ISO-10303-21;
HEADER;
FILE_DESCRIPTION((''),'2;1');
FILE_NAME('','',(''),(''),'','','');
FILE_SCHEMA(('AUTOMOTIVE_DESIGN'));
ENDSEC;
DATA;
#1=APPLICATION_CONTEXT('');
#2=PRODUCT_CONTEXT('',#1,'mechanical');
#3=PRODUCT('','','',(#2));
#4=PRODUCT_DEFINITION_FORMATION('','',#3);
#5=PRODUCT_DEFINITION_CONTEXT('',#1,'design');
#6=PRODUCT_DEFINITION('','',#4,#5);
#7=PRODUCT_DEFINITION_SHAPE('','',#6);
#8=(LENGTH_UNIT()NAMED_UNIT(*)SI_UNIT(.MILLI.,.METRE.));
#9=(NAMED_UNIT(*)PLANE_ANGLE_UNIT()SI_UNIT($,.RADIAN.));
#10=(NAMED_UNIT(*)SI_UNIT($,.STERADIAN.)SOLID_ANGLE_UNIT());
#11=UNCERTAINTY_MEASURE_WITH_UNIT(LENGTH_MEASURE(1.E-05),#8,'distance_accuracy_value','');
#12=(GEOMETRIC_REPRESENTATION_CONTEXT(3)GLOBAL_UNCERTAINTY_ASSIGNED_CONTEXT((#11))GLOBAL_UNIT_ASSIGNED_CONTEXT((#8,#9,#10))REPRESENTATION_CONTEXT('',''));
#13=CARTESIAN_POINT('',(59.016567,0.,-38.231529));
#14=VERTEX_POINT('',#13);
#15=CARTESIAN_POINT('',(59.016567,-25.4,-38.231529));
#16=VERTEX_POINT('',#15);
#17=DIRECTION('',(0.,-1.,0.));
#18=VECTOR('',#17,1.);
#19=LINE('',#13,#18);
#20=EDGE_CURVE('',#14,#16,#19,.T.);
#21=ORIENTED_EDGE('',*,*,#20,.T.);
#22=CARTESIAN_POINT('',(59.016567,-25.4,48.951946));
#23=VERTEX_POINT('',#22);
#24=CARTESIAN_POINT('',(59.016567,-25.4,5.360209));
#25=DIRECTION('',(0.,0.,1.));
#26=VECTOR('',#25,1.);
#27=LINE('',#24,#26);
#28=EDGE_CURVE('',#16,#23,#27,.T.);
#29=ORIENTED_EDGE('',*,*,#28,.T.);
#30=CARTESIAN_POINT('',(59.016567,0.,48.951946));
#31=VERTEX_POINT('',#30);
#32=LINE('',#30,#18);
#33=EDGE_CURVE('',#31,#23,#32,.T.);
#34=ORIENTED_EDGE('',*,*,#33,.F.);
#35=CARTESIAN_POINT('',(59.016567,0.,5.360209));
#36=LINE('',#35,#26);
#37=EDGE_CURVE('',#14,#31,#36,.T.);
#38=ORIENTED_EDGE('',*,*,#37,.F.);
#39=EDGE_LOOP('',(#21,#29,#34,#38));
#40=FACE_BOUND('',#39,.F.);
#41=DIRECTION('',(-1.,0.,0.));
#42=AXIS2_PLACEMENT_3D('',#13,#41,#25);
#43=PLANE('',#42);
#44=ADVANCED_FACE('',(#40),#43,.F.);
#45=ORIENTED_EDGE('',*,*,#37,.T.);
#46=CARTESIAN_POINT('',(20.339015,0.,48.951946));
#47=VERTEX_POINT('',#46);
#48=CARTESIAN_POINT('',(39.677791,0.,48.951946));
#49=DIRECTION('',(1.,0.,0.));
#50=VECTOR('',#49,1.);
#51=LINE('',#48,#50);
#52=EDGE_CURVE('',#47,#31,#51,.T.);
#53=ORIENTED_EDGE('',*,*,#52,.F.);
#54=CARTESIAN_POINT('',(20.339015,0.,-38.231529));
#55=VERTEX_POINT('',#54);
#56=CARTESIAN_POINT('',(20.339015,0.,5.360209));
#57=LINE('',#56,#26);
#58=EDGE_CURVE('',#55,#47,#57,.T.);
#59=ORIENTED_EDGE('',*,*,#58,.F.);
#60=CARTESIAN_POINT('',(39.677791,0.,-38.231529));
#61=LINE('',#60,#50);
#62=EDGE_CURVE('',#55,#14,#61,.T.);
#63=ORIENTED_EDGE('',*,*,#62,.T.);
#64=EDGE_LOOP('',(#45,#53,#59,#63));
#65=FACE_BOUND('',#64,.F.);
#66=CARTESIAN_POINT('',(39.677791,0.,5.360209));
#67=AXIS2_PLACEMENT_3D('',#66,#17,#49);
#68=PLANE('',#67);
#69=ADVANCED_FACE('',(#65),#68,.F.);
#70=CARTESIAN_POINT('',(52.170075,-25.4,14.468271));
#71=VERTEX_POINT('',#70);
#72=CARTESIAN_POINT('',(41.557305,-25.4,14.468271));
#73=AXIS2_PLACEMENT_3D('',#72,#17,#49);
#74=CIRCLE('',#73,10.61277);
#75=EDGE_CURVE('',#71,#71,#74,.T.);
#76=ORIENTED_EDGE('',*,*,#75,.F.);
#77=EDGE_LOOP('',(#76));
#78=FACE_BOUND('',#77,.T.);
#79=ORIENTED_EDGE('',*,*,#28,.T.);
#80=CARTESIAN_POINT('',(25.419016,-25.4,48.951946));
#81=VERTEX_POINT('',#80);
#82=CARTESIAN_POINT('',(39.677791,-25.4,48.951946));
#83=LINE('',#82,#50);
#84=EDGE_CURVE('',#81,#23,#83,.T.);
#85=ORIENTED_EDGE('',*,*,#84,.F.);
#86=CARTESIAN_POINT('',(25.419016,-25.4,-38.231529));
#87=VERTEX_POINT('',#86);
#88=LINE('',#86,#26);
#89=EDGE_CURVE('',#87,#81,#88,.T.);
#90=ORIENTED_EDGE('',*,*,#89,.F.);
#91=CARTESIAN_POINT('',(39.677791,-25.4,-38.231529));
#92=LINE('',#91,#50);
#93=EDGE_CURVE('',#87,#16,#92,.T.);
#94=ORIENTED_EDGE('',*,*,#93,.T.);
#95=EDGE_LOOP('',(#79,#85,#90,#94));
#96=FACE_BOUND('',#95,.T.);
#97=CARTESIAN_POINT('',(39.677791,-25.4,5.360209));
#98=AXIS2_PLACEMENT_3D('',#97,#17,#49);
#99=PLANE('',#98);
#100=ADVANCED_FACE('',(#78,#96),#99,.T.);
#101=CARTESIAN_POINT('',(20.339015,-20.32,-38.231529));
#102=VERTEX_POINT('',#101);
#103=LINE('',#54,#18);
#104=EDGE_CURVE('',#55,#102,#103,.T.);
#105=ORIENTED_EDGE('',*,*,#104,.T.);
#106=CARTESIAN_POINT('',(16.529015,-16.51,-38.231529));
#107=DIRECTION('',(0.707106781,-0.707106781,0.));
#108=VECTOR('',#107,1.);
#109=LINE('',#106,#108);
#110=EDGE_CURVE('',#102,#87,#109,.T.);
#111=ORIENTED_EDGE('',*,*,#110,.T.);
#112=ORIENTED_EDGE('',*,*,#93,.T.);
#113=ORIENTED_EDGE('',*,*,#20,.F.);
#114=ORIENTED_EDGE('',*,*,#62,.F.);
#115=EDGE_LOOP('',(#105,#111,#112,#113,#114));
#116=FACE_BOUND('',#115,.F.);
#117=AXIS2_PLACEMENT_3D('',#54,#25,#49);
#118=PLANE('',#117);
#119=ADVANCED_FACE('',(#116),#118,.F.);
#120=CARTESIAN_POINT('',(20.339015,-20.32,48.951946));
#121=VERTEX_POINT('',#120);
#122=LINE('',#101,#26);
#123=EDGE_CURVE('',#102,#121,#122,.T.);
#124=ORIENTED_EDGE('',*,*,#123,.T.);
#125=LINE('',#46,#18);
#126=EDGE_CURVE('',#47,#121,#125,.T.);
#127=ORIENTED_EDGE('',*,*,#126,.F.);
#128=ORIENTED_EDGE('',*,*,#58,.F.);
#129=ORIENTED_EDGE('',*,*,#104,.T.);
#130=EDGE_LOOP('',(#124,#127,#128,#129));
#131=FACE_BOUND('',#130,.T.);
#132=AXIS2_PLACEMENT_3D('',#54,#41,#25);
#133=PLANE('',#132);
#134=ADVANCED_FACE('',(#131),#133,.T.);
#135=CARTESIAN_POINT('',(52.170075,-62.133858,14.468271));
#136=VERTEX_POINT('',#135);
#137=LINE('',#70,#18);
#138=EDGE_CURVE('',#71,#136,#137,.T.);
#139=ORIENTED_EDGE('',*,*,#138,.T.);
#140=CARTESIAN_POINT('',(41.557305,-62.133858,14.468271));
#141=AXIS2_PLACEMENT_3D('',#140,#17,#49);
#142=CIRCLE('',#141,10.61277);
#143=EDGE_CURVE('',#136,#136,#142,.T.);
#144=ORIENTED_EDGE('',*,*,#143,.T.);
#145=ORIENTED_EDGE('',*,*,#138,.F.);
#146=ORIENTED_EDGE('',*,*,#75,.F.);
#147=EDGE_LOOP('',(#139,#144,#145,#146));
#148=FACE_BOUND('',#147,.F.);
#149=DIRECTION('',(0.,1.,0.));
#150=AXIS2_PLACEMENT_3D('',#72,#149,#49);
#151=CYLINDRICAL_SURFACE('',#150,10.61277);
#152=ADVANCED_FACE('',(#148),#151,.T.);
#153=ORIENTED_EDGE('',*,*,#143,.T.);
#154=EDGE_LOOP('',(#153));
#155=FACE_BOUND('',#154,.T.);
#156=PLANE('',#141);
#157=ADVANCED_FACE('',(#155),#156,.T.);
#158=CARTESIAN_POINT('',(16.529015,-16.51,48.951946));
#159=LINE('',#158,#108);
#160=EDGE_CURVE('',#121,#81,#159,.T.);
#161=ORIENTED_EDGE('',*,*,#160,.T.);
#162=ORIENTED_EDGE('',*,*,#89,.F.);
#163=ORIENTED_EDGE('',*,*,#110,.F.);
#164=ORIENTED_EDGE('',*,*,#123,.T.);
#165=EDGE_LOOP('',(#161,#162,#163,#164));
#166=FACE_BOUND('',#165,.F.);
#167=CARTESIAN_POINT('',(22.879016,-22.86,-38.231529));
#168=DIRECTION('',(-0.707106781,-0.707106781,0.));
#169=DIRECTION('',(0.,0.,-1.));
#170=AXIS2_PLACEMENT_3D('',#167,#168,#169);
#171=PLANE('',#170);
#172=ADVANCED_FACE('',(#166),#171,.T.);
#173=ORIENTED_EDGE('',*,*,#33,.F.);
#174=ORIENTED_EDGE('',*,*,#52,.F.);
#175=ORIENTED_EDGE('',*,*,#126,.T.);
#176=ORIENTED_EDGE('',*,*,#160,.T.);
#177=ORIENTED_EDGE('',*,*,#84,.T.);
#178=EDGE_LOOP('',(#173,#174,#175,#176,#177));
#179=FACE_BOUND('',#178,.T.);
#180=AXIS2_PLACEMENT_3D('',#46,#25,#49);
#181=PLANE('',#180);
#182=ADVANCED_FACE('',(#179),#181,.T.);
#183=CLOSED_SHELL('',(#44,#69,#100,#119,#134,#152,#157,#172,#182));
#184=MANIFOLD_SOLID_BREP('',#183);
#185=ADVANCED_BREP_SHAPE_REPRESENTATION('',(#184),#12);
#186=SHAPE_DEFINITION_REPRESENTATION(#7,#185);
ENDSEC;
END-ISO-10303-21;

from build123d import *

# Parameters (mm, degrees)
F0_W     = 38.677551
F0_H     = 87.183475
F1_DEPTH = 25.4
F2_R     = 10.61277
F3_DEPTH = 36.733858
F4_SIZE  = 5.08


with BuildPart() as f1:
    # F0 (on Front) → F1 (new body)
    with BuildSketch(Plane.XZ):
        with Locations((39.677791, 5.360209)):
            Rectangle(F0_W, F0_H)
    extrude(amount=F1_DEPTH)

    # F2 (on face) → F3 (join)
    with BuildSketch(Plane.XZ.offset(25.4)):
        with Locations((41.557305, 14.468271)):
            Circle(F2_R)
    extrude(amount=F3_DEPTH)

    # F4
    f4_edges = [f1.edges().sort_by_distance(p)[0] for p in [
        (20.339016, -25.4, 5.360208),
    ]]
    chamfer(f4_edges, length=F4_SIZE)


solid = f1.part
